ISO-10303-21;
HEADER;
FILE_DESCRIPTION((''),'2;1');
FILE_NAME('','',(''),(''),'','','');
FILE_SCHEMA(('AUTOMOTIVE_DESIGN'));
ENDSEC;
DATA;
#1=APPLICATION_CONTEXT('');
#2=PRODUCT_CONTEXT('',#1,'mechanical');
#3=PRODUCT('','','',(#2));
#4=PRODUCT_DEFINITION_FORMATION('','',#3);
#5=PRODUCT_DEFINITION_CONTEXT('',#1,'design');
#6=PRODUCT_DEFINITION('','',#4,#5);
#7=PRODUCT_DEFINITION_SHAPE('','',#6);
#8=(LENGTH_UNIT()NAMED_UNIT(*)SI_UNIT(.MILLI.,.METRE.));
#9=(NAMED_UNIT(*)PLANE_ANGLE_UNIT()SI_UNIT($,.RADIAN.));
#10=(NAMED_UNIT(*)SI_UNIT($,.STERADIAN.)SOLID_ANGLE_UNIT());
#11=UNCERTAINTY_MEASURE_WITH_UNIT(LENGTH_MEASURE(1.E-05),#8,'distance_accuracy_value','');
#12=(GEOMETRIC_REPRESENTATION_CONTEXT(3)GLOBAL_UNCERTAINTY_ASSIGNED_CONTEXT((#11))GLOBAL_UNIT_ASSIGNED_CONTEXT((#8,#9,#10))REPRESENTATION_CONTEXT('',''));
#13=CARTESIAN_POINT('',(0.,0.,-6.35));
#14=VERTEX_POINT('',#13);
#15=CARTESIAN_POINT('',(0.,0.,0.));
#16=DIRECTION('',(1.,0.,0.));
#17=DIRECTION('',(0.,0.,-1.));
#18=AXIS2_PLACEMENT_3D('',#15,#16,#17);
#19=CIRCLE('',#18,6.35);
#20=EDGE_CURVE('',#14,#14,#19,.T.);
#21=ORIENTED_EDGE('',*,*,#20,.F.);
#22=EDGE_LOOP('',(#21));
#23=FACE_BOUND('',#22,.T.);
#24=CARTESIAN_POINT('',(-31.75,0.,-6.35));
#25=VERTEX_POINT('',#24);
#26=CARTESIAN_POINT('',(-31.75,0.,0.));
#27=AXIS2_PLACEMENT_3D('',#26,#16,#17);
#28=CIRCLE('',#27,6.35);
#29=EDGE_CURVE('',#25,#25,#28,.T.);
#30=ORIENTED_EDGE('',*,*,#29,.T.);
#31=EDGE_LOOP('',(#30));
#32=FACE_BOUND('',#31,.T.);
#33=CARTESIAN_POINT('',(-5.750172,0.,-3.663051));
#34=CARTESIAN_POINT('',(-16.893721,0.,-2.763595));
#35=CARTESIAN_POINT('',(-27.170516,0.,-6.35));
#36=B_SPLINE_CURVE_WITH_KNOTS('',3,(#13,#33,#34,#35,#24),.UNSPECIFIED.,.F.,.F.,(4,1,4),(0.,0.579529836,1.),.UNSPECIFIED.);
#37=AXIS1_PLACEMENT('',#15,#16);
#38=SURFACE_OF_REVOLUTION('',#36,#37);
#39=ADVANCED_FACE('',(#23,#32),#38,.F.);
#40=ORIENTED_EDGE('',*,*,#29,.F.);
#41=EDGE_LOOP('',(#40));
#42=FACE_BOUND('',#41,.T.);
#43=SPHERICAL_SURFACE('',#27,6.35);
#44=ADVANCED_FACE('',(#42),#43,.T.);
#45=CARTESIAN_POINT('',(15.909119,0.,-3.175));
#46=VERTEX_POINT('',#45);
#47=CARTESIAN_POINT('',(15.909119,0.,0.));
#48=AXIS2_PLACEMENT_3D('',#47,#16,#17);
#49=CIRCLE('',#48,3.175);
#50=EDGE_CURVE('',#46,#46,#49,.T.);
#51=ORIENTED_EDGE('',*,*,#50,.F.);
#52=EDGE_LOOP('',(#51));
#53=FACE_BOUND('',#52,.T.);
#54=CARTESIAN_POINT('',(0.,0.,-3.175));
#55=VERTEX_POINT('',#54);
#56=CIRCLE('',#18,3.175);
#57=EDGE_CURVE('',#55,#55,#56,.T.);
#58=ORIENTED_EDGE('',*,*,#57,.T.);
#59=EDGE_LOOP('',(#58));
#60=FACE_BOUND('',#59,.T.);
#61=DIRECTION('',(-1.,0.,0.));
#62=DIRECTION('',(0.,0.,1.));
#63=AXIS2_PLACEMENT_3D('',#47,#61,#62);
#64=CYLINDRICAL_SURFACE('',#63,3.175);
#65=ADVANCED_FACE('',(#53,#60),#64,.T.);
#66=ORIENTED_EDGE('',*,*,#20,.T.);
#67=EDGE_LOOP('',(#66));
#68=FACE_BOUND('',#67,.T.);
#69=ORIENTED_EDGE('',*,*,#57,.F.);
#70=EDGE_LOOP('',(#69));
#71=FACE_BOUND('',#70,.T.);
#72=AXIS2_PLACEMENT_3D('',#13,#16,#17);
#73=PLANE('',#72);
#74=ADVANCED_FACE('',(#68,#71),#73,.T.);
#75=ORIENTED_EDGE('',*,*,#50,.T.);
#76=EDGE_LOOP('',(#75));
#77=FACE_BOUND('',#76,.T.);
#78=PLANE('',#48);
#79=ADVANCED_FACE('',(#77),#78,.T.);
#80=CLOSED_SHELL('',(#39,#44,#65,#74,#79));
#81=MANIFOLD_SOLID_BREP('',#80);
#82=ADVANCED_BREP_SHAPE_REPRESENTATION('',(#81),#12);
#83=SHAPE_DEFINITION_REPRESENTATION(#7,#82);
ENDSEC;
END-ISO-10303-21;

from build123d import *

# Parameters (mm, degrees)
SKETCH2_R           = 3.175
BOSS_EXTRUDE1_DEPTH = 15.909119187


with BuildPart() as part:
    # Sketch1 → Revolve1 (revolve)
    with BuildSketch(Plane(origin=(0, 0, 0), x_dir=(1, 0, 0), z_dir=(0, 1, 0))):
        with BuildLine():
            Line((0, 6.35), (0, 0))
            Line((0, 0), (-31.75, 0))
            Line((-31.75, 0), (-38.1, 0))
            ThreePointArc((-38.1, 0), (-36.240128061, 4.490128061), (-31.75, 6.35))
            add(Edge.make_bspline(
                [(0, 6.35), (-5.750171966, 3.663051231), (-16.893720994, 2.763594688), (-27.170516241, 6.35), (-31.75, 6.35)],
                knots=[0, 0, 0, 0, 0.579529836, 1, 1, 1, 1], degree=3))
        make_face()
    revolve(axis=Axis((0, 0, 0), (-1, 0, 0)))

    # Sketch2 → Boss-Extrude1 (add)
    with BuildSketch(Plane(origin=(0, 0, 0), x_dir=(0, 0, -1), z_dir=(1, 0, 0))):
        Circle(SKETCH2_R)
    extrude(amount=BOSS_EXTRUDE1_DEPTH)


solid = part.part
